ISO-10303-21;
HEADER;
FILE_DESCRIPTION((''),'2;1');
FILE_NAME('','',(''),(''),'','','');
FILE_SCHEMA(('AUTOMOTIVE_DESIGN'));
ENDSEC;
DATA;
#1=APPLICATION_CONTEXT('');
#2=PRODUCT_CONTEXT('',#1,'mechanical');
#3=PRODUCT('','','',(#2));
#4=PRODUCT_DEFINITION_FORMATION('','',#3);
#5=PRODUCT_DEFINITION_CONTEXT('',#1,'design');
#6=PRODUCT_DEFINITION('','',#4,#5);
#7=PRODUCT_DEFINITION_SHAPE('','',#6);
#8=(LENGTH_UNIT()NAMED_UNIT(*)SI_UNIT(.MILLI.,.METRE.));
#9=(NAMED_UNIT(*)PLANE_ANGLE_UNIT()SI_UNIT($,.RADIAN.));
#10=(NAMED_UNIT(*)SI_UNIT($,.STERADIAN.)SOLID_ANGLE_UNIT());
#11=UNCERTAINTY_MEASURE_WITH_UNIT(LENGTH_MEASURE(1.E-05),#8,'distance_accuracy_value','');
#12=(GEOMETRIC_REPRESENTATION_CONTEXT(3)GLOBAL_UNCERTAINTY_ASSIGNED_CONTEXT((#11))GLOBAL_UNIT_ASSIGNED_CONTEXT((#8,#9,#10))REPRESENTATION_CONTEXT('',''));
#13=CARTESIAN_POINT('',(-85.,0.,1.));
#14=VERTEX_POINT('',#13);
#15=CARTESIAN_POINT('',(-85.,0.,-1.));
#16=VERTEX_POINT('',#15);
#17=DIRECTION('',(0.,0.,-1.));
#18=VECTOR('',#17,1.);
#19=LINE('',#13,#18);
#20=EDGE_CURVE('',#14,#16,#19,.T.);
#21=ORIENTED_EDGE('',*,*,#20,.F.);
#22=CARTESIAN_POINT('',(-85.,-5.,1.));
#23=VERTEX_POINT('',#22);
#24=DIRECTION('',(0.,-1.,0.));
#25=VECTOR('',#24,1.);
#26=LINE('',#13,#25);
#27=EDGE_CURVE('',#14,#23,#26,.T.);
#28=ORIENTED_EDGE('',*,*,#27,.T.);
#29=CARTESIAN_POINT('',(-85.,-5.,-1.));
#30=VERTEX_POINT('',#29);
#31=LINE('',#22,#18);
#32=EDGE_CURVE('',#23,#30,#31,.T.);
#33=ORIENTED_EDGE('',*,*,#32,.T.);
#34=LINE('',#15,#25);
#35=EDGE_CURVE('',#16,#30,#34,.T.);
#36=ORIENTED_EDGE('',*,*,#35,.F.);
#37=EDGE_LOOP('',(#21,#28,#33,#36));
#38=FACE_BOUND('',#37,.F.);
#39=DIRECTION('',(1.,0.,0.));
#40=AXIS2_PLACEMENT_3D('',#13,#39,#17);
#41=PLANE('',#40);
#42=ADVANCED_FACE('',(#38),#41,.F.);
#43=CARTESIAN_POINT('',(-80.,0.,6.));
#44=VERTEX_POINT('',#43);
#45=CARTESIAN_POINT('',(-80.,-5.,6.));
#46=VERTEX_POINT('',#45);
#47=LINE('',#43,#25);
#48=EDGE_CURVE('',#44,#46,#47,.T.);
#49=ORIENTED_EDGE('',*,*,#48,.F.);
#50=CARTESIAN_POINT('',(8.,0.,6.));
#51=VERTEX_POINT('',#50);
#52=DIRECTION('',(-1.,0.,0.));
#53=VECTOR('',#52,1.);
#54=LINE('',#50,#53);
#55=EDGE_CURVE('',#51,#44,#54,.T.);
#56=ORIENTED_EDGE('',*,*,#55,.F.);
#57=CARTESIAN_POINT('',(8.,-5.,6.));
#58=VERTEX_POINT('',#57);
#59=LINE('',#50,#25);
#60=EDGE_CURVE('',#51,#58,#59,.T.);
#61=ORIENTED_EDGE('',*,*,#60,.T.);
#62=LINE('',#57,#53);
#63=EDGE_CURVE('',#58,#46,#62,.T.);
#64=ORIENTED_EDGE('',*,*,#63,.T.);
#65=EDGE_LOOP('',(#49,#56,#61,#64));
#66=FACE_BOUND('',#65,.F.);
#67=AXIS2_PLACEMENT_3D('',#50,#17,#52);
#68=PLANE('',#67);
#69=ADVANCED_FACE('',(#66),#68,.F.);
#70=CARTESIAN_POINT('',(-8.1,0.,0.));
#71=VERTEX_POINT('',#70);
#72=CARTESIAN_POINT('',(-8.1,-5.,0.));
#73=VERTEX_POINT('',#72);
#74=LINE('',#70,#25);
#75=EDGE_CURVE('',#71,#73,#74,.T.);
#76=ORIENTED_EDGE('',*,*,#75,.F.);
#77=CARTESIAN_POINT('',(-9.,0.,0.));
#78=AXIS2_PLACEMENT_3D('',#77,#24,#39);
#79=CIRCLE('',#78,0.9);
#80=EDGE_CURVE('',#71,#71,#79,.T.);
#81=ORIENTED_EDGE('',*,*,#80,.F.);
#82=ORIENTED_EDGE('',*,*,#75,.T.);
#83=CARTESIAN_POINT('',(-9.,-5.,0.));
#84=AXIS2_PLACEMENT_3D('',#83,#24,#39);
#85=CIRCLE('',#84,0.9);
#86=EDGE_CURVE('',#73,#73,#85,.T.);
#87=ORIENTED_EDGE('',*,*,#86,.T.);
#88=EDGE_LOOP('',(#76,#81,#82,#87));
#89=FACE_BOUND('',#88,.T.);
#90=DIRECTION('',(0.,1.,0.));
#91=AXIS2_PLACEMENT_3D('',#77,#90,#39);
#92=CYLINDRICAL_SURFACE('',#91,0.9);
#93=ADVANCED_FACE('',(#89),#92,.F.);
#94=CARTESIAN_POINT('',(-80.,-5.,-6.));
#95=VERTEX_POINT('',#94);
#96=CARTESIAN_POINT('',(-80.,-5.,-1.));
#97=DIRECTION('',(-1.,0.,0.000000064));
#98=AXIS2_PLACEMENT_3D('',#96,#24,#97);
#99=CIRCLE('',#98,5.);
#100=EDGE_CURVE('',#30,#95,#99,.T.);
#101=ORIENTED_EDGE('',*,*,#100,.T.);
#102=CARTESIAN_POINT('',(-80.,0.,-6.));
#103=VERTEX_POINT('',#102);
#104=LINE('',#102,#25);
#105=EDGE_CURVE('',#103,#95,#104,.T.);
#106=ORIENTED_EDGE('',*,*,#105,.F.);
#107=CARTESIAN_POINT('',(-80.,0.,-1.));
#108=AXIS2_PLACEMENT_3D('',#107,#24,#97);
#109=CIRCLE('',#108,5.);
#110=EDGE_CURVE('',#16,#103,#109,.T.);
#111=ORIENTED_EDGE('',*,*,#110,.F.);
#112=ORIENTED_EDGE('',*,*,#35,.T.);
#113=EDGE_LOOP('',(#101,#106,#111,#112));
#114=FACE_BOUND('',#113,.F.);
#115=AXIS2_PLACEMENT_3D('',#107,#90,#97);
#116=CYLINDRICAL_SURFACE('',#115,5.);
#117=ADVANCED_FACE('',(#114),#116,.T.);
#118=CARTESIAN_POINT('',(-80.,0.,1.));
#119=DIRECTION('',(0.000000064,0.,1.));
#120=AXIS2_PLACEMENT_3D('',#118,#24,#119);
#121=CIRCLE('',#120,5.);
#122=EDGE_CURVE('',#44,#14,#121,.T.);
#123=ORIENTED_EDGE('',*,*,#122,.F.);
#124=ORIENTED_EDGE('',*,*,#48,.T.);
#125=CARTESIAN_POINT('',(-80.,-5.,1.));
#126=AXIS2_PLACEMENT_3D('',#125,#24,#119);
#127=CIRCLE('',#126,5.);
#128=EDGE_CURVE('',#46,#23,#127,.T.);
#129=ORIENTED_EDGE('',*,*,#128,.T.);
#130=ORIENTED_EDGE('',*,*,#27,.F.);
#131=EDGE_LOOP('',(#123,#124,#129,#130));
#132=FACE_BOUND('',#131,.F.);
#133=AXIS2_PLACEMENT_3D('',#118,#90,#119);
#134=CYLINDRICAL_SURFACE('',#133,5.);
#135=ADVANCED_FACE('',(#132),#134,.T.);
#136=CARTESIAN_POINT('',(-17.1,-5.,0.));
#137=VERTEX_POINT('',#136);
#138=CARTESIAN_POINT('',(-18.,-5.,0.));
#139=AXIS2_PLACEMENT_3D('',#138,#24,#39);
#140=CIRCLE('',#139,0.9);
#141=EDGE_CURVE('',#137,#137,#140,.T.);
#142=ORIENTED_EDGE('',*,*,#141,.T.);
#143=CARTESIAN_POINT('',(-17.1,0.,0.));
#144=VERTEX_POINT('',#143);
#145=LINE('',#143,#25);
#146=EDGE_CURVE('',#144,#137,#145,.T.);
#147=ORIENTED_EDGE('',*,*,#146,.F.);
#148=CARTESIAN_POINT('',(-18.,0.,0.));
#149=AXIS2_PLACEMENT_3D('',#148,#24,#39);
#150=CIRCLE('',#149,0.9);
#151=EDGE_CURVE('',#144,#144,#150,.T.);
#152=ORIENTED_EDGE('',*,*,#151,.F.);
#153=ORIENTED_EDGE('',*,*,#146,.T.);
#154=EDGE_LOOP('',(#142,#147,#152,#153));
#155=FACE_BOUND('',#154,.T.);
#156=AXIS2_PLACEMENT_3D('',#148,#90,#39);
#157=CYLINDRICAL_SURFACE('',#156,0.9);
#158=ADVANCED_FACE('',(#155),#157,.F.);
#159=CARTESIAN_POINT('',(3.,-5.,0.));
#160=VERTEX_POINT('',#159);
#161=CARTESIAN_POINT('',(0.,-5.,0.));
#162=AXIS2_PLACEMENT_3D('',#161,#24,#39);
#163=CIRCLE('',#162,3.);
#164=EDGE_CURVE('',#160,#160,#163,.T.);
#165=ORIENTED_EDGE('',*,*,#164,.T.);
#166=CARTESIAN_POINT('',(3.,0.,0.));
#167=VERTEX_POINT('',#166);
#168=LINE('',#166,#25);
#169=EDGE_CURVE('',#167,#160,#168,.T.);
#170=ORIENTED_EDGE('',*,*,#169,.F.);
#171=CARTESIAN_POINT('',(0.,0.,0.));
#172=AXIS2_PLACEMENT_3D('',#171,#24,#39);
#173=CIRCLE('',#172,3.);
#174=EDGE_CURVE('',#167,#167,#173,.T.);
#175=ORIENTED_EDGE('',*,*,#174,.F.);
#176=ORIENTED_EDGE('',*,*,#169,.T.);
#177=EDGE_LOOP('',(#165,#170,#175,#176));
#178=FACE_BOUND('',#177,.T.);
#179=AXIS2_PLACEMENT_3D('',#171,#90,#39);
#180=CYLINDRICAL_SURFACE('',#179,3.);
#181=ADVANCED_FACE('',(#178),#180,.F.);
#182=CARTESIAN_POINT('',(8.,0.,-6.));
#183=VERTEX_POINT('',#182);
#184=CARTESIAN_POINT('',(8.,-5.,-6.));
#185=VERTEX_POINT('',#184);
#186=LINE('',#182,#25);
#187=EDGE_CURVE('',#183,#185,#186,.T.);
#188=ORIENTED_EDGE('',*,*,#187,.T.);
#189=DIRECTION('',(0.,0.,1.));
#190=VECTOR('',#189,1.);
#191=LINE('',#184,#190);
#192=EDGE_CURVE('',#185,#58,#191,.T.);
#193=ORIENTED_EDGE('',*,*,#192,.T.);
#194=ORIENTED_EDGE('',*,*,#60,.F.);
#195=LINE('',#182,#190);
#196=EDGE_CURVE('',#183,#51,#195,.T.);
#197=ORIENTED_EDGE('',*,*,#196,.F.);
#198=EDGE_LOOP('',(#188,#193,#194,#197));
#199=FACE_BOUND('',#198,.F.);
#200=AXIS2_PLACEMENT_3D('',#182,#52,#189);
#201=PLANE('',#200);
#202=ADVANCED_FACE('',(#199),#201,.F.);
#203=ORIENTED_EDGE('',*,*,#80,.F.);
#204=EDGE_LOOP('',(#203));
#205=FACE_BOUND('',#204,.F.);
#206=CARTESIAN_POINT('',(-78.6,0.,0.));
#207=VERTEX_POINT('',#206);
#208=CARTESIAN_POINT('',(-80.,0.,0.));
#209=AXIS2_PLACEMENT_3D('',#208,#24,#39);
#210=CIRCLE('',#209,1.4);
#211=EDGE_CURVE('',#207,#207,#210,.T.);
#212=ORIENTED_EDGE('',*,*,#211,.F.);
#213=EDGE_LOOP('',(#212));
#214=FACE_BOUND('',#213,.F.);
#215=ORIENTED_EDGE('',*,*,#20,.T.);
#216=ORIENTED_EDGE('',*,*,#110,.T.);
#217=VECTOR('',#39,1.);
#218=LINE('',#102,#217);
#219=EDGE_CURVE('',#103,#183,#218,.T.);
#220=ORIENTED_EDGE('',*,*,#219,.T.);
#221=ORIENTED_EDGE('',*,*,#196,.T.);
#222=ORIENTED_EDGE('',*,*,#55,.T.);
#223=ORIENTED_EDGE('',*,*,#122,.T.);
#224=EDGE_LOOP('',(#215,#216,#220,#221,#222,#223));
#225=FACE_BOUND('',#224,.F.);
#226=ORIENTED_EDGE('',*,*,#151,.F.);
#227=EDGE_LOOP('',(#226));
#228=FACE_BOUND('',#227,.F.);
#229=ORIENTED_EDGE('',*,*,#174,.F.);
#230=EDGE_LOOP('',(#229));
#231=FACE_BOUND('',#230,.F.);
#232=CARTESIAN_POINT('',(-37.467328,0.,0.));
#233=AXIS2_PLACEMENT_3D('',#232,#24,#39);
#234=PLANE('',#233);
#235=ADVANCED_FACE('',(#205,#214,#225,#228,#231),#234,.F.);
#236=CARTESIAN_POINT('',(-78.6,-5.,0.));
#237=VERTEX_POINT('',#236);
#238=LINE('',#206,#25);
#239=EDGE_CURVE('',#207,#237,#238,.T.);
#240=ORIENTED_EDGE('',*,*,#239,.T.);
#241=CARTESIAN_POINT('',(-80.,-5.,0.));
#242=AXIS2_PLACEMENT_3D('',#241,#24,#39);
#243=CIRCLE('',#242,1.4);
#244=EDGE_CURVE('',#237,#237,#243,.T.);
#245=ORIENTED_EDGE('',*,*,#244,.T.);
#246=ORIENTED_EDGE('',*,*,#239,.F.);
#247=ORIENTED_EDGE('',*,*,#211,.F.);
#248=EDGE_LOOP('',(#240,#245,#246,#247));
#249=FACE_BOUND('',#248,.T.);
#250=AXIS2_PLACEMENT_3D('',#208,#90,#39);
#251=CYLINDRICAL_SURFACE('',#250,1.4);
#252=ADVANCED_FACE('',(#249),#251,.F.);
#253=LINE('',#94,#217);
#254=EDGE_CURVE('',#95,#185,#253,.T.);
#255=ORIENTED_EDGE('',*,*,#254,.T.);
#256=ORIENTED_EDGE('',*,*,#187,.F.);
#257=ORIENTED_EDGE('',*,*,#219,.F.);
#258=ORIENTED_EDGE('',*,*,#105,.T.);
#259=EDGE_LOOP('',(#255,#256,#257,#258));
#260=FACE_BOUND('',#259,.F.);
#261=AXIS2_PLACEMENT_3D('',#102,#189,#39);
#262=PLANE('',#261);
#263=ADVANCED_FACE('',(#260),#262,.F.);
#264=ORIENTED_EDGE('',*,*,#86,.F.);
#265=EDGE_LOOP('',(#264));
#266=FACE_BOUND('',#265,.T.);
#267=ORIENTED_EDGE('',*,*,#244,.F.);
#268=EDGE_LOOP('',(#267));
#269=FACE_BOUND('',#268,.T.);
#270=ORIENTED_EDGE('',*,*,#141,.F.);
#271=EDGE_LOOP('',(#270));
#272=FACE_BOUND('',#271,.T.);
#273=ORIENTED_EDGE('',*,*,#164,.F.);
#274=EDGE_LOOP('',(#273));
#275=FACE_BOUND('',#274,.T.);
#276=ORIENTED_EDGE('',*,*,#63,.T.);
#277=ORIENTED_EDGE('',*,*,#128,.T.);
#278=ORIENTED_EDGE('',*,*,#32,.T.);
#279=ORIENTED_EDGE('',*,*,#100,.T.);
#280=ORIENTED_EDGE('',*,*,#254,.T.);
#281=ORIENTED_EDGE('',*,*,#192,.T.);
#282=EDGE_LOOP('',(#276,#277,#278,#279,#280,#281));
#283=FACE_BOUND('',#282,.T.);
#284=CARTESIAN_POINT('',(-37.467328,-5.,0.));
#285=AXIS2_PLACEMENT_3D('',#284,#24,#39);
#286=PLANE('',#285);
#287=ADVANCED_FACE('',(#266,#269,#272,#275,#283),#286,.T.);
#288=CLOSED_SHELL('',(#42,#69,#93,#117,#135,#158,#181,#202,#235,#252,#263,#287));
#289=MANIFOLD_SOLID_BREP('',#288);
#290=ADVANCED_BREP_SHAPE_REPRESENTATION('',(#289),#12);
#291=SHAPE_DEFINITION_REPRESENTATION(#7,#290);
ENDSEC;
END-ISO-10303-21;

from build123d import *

# Parameters (mm, degrees)
F0_R     = 1.4
F0_R_2   = 0.9
F0_R_3   = 3
F1_DEPTH = 5


with BuildPart() as f1:
    # F0 (on Front) → F1 (new body)
    with BuildSketch(Plane.XZ):
        with BuildLine():
            Line((-80, -6), (-11, -6))
            Line((-11, -6), (8, -6))
            Line((8, -6), (8, 6))
            Line((8, 6), (-11, 6))
            Line((-11, 6), (-80, 6))
            ThreePointArc((-80, 6), (-83.535534, 4.535534), (-85, 1))
            Line((-85, 1), (-85, -1))
            ThreePointArc((-85, -1), (-83.535534, -4.535534), (-80, -6))
        make_face()
        with Locations((-80, 0)):
            Circle(F0_R, mode=Mode.SUBTRACT)
        with Locations((-18, 0)):
            Circle(F0_R_2, mode=Mode.SUBTRACT)
        with Locations((-9, 0)):
            Circle(F0_R_2, mode=Mode.SUBTRACT)
        Circle(F0_R_3, mode=Mode.SUBTRACT)
    extrude(amount=F1_DEPTH)


solid = f1.part
